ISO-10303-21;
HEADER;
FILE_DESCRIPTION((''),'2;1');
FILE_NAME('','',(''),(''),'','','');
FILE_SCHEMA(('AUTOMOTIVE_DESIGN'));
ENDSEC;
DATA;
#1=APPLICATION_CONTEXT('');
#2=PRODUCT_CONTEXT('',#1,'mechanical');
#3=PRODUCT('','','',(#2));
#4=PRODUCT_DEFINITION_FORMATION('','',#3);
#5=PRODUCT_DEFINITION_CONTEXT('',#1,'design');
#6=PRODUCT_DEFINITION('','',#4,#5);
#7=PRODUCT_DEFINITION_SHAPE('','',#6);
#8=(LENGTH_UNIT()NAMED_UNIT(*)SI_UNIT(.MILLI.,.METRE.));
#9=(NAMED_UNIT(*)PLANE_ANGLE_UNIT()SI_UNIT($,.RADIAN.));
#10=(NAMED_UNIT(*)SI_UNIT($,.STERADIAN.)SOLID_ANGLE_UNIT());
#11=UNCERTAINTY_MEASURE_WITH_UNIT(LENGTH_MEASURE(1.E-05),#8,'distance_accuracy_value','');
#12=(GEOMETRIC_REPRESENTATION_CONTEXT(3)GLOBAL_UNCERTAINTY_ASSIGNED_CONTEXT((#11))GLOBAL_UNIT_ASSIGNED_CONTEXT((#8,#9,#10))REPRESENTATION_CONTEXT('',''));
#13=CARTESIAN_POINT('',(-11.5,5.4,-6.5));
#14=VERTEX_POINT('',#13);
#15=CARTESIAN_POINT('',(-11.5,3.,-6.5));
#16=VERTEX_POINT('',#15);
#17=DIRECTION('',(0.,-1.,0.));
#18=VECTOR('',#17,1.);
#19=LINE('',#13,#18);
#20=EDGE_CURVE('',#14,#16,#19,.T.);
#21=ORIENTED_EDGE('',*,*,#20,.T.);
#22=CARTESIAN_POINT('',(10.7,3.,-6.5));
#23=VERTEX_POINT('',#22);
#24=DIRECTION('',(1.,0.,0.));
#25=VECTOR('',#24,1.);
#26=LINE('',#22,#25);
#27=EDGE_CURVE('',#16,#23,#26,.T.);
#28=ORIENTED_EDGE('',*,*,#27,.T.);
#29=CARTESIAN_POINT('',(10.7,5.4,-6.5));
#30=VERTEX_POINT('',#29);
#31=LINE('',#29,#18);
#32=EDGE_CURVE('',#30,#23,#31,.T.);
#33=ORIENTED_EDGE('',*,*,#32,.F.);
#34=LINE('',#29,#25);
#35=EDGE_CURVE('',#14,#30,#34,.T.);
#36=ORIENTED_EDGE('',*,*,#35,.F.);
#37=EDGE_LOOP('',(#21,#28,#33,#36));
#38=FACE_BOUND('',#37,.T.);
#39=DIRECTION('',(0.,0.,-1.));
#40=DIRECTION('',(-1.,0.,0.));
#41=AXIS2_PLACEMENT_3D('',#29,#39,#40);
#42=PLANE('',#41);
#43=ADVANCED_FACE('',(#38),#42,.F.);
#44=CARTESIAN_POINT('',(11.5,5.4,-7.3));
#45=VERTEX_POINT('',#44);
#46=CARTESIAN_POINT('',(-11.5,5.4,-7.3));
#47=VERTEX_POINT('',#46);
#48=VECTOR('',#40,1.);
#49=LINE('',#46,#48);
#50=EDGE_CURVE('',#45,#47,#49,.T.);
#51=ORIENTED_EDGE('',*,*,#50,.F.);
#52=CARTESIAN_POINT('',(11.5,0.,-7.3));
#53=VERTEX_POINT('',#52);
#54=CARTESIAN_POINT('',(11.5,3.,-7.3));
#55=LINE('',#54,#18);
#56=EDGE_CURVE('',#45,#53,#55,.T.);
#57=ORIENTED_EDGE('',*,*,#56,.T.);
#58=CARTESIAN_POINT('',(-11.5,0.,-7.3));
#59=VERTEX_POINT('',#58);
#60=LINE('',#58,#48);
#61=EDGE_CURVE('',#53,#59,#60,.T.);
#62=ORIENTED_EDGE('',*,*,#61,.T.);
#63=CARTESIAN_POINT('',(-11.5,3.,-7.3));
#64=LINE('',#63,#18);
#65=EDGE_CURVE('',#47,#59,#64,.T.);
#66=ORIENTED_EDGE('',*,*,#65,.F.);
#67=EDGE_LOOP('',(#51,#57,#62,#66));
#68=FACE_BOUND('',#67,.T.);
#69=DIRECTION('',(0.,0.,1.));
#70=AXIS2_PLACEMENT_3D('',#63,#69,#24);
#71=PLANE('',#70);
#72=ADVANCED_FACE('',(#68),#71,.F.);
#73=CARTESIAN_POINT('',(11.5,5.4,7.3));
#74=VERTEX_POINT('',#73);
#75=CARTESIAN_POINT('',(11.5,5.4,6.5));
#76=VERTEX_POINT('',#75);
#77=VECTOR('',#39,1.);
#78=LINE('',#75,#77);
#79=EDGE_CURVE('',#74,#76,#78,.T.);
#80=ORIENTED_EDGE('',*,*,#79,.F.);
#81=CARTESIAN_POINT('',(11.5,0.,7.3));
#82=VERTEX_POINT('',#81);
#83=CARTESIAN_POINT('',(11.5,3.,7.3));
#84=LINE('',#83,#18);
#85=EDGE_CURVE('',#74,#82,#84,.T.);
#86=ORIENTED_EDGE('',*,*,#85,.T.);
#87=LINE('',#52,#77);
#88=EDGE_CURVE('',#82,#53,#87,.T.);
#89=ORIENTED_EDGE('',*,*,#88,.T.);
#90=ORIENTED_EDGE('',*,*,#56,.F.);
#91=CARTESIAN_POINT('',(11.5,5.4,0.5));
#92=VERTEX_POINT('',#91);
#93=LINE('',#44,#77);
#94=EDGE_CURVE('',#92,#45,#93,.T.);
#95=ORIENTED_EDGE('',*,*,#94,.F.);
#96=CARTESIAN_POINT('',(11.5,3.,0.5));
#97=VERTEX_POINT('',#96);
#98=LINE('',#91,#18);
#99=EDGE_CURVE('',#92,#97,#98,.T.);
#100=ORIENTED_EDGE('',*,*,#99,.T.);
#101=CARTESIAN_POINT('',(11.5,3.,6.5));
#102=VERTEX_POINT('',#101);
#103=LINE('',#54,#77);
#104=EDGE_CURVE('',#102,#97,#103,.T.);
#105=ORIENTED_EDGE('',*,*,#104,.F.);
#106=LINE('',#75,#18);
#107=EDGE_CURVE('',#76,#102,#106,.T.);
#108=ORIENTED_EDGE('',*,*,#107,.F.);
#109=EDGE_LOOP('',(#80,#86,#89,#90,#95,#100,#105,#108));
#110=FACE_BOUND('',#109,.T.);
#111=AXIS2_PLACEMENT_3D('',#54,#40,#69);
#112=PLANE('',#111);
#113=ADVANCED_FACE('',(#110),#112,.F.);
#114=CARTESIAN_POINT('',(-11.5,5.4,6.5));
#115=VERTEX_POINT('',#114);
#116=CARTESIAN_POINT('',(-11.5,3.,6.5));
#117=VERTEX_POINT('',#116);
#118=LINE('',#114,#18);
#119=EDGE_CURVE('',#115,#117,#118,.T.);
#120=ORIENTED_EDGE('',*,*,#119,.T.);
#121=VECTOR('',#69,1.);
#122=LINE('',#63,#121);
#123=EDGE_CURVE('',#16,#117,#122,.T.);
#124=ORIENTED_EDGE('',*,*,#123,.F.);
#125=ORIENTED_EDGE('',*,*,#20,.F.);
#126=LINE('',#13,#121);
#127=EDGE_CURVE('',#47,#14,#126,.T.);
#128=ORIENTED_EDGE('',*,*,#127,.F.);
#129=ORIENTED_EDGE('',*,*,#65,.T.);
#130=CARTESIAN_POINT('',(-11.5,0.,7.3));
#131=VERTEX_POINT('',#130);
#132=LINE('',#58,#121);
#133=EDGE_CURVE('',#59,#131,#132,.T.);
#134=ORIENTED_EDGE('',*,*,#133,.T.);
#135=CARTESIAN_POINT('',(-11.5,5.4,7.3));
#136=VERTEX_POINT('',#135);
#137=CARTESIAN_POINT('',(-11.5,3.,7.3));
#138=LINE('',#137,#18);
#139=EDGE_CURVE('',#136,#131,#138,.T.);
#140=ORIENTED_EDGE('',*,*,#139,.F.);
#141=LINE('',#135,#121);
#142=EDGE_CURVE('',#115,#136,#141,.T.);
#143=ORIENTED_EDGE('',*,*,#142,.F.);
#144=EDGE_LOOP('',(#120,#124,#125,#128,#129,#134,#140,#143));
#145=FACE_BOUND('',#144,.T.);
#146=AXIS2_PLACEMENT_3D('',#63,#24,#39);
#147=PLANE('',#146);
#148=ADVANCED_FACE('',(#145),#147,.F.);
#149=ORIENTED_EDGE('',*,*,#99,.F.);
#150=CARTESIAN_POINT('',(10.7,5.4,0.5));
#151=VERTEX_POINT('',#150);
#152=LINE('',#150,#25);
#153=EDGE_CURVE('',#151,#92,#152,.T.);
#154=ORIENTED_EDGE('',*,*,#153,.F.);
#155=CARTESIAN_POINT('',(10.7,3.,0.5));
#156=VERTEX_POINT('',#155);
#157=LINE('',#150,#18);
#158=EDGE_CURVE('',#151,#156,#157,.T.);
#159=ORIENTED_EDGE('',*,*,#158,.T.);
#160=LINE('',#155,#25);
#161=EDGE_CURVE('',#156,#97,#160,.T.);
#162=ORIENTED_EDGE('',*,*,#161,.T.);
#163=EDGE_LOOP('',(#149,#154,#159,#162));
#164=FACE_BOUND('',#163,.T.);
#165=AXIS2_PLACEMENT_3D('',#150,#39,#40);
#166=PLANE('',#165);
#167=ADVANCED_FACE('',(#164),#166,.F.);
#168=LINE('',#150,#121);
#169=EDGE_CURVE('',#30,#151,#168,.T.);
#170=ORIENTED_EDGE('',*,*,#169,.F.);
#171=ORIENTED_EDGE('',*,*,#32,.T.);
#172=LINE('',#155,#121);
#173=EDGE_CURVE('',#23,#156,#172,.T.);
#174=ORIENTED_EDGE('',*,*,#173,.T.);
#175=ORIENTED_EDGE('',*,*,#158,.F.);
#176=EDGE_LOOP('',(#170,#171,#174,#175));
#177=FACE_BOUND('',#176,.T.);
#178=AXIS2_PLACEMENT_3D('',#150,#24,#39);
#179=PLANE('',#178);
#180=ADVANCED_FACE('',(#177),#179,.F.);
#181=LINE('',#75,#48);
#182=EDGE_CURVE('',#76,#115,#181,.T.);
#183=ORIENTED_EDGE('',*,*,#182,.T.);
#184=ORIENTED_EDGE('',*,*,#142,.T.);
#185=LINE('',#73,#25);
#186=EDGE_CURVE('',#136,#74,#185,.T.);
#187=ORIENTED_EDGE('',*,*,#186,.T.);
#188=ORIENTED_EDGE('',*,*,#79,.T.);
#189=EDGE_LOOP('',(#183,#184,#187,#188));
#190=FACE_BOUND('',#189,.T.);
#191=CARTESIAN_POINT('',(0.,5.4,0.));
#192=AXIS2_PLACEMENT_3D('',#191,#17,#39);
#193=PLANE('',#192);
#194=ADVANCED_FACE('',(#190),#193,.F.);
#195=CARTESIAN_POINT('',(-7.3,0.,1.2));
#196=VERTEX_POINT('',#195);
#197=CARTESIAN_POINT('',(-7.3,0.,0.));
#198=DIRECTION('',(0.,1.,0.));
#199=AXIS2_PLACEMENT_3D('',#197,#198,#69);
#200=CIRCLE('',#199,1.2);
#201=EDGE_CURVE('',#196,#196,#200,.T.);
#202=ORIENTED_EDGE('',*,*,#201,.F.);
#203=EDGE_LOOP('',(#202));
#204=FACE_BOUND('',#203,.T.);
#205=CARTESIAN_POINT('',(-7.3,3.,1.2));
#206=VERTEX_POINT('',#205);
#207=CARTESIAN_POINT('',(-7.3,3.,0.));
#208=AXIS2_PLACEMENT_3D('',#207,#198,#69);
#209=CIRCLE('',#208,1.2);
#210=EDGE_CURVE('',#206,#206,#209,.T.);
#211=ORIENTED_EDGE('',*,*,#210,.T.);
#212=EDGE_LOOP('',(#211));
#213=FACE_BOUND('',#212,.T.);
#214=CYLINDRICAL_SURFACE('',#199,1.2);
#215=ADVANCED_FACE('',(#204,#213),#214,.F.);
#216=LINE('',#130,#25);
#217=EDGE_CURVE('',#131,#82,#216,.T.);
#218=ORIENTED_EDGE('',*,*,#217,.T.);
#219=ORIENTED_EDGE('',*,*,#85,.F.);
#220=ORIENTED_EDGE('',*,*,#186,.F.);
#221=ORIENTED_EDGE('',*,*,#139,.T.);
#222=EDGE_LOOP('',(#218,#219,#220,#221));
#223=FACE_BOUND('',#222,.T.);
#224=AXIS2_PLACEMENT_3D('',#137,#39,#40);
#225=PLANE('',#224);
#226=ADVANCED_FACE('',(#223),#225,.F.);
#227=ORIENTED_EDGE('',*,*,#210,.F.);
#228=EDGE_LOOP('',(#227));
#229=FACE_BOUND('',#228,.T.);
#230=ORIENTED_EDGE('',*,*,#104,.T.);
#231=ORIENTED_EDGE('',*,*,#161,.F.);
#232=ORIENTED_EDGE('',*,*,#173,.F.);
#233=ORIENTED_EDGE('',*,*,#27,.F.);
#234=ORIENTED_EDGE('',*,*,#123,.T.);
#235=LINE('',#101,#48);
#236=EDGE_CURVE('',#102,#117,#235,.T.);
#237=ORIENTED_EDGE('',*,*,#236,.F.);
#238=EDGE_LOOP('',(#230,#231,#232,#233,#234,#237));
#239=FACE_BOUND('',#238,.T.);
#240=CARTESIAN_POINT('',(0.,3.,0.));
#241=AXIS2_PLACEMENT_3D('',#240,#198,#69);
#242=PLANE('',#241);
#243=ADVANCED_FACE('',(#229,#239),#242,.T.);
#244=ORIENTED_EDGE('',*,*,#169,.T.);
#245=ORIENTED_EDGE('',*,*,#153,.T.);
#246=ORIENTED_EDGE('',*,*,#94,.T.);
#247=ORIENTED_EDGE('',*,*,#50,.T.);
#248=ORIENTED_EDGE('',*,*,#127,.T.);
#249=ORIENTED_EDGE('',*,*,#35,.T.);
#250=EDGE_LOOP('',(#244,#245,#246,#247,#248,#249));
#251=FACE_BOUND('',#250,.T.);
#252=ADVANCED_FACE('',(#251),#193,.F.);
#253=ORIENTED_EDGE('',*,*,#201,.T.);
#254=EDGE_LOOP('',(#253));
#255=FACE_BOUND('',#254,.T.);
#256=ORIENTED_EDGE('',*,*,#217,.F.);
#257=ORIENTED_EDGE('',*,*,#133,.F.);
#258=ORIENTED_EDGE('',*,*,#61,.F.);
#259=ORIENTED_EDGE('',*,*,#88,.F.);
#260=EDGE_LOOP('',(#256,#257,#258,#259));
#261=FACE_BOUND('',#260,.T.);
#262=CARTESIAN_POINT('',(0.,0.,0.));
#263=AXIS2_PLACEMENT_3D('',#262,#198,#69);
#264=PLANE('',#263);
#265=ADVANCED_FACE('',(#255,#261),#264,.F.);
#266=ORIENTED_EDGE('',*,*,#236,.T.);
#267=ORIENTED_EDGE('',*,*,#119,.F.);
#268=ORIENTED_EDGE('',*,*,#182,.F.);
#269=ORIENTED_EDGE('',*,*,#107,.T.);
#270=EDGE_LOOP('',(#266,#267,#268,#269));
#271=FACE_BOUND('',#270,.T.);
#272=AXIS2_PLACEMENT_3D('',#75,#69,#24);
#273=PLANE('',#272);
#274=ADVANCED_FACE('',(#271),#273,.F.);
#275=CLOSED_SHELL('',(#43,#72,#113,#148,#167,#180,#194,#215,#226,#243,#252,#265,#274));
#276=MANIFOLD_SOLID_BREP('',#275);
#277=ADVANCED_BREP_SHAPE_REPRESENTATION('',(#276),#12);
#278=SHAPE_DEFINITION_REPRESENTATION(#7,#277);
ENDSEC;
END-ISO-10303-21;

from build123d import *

# Parameters (mm, degrees)
SKETCH1_W           = 23
SKETCH1_H           = 14.6
BOSS_EXTRUDE1_DEPTH = 3
SKETCH2_R           = 1.2
CUT_EXTRUDE1_DEPTH  = 14.947759677
SKETCH3_W           = 23
SKETCH3_H           = 0.8
BOSS_EXTRUDE2_DEPTH = 2.4


with BuildPart() as part:
    # Sketch1 → Boss-Extrude1 (new body)
    with BuildSketch(Plane(origin=(0, 0, 0), x_dir=(1, 0, 0), z_dir=(0, 1, 0))):
        Rectangle(SKETCH1_W, SKETCH1_H)
    extrude(amount=BOSS_EXTRUDE1_DEPTH)

    # Sketch2 → Cut-Extrude1 (cut, through all)
    with BuildSketch(Plane(origin=(0, 3, 0), x_dir=(1, 0, 0), z_dir=(0, 1, 0))):
        with Locations(Location((-7.3, 0, 0), (0, 0, 270))):
            Circle(SKETCH2_R)
    extrude(amount=-CUT_EXTRUDE1_DEPTH, mode=Mode.SUBTRACT)

    # Sketch3 → Boss-Extrude2 (add)
    with BuildSketch(Plane(origin=(0, 3, 0), x_dir=(1, 0, 0), z_dir=(0, 1, 0))):
        Polygon((-11.5, 7.3), (11.5, 7.3), (11.5, -0.5), (10.7, -0.5), (10.7, 6.5), (-11.5, 6.5), align=None)
        with Locations((0, -6.9)):
            Rectangle(SKETCH3_W, SKETCH3_H)
    extrude(amount=BOSS_EXTRUDE2_DEPTH)


solid = part.part
